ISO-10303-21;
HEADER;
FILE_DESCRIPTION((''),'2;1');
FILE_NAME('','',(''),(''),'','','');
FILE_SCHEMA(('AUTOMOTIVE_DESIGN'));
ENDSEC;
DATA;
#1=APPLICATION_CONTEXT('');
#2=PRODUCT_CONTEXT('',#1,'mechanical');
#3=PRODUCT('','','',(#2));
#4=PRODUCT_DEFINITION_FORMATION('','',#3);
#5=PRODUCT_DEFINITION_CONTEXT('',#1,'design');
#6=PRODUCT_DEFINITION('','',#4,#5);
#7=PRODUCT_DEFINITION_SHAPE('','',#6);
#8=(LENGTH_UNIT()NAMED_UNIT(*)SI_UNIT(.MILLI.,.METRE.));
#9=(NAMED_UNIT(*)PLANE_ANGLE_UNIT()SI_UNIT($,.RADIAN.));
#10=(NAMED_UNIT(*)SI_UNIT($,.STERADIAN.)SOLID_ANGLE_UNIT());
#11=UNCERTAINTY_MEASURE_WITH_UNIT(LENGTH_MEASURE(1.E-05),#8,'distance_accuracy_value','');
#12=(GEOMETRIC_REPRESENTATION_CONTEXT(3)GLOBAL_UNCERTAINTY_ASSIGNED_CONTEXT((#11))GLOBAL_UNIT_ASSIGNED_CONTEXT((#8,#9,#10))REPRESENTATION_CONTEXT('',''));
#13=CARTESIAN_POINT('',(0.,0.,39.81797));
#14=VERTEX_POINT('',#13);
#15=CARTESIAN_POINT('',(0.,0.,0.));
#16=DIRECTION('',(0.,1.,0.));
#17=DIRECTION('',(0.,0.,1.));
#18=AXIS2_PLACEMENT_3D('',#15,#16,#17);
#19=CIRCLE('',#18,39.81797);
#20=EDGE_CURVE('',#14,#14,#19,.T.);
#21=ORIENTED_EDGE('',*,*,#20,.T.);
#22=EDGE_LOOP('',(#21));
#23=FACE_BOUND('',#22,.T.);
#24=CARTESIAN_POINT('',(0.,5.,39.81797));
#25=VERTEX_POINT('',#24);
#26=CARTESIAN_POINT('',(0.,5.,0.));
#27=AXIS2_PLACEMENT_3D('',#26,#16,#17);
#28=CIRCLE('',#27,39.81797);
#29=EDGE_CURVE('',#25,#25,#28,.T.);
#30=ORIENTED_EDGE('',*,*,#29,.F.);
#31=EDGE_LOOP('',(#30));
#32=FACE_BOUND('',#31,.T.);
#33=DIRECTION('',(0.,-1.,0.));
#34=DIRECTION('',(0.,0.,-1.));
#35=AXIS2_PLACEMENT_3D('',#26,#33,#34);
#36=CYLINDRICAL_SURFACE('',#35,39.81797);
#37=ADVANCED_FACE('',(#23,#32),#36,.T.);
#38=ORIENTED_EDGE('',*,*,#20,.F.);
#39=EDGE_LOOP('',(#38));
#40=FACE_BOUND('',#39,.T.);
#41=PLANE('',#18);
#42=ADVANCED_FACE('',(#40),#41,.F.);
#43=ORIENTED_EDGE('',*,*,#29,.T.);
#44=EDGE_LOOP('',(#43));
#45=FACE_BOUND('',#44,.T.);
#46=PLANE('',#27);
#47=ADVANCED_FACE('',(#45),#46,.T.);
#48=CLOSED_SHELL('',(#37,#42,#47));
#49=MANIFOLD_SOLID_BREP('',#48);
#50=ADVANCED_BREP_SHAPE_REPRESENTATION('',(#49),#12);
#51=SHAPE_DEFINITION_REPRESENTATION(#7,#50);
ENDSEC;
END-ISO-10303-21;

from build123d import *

# Parameters (mm, degrees)
SKETCH2_R           = 39.817970033
BOSS_EXTRUDE1_DEPTH = 5


with BuildPart() as part:
    # Sketch2 → Boss-Extrude1 (new body)
    with BuildSketch(Plane(origin=(0, 0, 0), x_dir=(1, 0, 0), z_dir=(0, 1, 0))):
        Circle(SKETCH2_R)
    extrude(amount=BOSS_EXTRUDE1_DEPTH)


solid = part.part
